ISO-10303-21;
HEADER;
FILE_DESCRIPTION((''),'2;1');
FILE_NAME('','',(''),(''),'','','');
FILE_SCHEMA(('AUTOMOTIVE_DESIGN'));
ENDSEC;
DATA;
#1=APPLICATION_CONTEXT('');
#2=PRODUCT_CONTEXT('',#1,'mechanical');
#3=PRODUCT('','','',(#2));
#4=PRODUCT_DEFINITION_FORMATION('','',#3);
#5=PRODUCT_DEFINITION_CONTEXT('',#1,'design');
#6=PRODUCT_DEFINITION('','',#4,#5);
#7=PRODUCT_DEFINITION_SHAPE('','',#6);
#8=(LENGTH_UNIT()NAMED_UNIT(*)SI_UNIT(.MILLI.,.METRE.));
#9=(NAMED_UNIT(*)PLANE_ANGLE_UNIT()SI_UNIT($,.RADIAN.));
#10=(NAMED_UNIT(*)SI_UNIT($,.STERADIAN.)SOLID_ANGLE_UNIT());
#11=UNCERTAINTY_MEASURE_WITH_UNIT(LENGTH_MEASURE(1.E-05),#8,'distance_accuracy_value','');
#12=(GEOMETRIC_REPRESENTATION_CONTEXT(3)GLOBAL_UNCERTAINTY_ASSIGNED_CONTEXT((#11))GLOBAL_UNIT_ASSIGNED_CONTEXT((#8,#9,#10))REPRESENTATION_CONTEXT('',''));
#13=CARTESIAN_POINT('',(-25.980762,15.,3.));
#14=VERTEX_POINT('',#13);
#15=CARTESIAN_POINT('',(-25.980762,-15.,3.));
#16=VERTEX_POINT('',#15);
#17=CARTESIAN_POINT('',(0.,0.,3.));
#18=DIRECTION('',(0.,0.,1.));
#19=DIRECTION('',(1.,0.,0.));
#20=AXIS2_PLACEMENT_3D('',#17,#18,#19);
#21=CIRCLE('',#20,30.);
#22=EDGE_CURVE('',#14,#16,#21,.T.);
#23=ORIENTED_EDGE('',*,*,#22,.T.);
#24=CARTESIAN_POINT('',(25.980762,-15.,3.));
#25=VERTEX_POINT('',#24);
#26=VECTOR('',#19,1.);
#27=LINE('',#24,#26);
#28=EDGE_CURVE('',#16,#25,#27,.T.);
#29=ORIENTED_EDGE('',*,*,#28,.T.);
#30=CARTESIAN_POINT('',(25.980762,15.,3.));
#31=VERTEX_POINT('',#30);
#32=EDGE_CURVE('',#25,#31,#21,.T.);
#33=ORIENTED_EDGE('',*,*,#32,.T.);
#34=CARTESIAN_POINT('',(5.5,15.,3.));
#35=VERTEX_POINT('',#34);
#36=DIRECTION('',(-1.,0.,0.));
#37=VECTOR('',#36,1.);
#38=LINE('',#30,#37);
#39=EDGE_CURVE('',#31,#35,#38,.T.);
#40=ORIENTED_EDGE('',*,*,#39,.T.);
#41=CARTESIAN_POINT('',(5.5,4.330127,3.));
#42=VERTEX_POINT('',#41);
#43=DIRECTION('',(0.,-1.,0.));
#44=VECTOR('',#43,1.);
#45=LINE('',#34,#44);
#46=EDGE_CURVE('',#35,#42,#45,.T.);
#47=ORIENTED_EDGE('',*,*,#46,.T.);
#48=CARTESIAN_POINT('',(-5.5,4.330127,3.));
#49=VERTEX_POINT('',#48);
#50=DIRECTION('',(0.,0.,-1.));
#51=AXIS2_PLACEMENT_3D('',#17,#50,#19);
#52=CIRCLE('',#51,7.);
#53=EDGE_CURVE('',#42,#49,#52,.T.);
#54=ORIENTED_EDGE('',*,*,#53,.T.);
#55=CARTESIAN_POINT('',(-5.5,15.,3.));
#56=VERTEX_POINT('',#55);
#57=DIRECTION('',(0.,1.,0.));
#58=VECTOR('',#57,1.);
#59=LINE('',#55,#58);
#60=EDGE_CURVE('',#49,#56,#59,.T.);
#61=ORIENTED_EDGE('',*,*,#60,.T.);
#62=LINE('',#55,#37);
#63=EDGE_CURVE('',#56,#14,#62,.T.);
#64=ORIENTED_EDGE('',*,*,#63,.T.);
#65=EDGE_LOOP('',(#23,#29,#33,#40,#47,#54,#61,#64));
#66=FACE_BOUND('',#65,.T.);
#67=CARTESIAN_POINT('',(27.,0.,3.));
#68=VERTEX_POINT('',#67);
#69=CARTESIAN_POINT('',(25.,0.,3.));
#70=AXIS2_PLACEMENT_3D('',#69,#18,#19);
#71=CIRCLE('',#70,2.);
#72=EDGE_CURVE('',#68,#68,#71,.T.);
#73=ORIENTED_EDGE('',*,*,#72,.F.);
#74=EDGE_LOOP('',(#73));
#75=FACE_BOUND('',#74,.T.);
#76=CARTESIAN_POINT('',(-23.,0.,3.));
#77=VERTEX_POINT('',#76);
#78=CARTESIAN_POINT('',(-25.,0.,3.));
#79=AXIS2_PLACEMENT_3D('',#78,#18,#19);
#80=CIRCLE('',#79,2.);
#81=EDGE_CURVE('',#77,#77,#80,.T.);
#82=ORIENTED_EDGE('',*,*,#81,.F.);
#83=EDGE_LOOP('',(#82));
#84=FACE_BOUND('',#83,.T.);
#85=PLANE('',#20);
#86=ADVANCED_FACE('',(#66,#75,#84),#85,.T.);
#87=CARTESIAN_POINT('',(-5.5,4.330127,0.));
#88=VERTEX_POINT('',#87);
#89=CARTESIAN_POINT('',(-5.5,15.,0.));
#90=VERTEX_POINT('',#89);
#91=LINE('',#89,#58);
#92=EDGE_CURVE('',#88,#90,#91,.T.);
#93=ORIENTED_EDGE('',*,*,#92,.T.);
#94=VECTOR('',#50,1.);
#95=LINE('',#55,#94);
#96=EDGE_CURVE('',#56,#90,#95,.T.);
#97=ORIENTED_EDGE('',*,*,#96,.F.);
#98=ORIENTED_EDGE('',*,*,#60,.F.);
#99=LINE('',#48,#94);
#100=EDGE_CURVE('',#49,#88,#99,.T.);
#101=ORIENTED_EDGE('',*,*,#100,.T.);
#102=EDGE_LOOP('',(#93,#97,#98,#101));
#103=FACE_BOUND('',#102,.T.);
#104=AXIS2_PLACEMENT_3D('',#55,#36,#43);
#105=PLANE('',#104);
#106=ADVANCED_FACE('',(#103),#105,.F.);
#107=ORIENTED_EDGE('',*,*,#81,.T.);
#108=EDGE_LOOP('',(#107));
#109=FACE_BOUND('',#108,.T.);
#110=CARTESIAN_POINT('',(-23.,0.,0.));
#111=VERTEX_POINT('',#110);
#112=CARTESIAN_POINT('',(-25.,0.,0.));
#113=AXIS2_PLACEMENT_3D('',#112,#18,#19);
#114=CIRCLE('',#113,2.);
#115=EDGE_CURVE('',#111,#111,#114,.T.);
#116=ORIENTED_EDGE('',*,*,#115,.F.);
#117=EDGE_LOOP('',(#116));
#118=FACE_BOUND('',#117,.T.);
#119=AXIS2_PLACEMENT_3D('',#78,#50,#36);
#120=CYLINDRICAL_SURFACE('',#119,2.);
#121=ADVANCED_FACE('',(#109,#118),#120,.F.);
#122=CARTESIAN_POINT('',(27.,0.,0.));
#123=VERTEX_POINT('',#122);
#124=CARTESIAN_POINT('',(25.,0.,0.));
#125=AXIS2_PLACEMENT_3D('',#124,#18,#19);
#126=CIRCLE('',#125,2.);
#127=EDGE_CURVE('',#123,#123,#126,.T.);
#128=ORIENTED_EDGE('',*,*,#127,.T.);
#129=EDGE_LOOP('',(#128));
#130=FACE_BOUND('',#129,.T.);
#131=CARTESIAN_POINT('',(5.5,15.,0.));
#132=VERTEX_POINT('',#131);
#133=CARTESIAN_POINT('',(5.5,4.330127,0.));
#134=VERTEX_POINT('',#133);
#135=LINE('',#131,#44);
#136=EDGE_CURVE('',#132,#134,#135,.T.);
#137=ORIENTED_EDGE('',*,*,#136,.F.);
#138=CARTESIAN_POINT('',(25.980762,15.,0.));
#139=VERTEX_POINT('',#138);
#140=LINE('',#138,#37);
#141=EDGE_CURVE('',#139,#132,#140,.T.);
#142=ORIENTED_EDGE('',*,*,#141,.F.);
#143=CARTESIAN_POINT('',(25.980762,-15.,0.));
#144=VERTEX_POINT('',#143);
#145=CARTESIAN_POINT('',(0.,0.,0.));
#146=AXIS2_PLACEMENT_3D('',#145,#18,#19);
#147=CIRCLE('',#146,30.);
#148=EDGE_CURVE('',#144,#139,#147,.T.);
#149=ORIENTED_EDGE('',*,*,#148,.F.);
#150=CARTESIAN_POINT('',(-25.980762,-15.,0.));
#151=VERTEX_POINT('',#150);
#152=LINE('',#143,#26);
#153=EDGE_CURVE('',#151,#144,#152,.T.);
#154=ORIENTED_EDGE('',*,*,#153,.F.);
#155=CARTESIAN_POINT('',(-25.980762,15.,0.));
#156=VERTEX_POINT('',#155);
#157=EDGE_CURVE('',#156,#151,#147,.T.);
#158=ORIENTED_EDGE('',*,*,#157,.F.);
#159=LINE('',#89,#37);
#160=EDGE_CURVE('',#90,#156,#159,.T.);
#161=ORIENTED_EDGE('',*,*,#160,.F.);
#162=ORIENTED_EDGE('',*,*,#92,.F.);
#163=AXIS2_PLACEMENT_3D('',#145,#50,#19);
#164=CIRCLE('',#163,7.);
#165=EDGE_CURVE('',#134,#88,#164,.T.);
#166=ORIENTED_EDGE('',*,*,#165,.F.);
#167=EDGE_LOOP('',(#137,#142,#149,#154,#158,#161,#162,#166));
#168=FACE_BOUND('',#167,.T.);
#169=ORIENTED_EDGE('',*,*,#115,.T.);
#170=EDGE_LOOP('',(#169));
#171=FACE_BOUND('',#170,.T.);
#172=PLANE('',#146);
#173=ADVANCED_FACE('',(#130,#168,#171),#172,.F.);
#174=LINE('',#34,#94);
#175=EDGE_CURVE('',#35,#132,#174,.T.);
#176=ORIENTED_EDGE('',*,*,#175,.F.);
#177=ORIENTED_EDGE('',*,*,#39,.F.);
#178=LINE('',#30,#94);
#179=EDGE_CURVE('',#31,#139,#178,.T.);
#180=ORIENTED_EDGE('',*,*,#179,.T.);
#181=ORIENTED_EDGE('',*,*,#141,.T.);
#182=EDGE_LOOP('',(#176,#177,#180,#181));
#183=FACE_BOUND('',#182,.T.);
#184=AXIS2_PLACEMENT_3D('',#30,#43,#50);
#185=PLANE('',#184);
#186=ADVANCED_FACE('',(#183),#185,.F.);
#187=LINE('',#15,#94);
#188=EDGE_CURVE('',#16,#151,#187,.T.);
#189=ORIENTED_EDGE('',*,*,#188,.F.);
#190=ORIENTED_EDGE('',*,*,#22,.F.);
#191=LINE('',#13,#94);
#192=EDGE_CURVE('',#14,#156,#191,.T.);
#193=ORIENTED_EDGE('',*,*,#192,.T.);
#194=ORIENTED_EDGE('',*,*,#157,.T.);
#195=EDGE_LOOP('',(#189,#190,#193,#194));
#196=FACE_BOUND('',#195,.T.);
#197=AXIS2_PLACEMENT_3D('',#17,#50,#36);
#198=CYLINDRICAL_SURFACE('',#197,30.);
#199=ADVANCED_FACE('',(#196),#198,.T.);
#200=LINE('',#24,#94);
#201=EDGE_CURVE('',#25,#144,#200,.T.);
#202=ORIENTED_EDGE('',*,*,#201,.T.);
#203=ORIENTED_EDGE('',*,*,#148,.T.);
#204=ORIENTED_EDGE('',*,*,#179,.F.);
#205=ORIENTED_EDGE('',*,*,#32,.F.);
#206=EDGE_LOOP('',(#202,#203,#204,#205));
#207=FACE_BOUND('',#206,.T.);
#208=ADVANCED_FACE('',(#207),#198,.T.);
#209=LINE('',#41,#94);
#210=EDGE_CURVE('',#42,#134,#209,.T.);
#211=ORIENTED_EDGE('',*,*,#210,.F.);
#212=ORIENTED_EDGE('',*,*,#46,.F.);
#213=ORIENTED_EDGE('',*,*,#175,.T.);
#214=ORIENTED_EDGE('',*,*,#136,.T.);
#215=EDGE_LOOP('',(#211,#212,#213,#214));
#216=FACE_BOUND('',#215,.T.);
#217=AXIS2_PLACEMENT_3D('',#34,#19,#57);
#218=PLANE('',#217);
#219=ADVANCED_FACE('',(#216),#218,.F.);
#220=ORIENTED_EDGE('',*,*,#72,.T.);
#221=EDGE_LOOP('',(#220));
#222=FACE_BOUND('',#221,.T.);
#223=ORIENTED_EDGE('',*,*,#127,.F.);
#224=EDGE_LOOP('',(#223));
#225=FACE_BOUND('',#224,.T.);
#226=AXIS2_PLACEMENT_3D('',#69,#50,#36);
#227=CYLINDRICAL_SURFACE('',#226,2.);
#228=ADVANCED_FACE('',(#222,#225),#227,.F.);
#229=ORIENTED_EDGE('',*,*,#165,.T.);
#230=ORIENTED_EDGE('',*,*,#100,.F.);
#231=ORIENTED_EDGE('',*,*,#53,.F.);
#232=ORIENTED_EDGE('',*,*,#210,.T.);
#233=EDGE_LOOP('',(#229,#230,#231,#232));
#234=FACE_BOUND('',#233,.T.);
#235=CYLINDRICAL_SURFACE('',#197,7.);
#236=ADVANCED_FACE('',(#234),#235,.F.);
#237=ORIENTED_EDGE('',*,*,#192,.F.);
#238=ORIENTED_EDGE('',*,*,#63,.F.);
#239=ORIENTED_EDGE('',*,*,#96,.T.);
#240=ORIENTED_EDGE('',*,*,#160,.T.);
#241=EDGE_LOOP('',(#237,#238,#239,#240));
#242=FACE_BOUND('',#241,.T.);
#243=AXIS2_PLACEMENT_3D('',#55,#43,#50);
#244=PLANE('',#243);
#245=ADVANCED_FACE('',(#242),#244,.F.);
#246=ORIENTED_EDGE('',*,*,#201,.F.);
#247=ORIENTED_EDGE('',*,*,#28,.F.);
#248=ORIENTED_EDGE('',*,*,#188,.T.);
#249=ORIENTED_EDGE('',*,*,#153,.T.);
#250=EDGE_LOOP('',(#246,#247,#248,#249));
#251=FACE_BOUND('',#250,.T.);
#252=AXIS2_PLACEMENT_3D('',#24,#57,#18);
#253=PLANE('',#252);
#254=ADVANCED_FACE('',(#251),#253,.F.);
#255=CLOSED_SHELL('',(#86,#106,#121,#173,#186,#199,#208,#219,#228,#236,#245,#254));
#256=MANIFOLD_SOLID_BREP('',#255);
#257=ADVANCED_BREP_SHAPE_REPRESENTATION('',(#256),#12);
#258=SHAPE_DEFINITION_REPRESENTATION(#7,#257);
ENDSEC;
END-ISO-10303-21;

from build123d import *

# Parameters (mm, degrees)
ESQUISSE1_R        = 2
BOSS_EXTRU_1_DEPTH = 3


with BuildPart() as part:
    # Esquisse1 → Boss.-Extru.1 (new body)
    with BuildSketch(Plane.XY):
        with BuildLine():
            Line((-5.5, 15), (-25.980762114, 15))
            ThreePointArc((-25.980762114, 15), (-30, 0), (-25.980762114, -15))
            Line((-25.980762114, -15), (25.980762114, -15))
            ThreePointArc((25.980762114, -15), (30, 0), (25.980762114, 15))
            Line((25.980762114, 15), (5.5, 15))
            Line((5.5, 15), (5.5, 4.330127019))
            ThreePointArc((5.5, 4.330127019), (0, -7), (-5.5, 4.330127019))
            Line((-5.5, 4.330127019), (-5.5, 15))
        make_face()
        with Locations((-25, 0)):
            Circle(ESQUISSE1_R, mode=Mode.SUBTRACT)
        with Locations((25, 0)):
            Circle(ESQUISSE1_R, mode=Mode.SUBTRACT)
    extrude(amount=BOSS_EXTRU_1_DEPTH)


solid = part.part
